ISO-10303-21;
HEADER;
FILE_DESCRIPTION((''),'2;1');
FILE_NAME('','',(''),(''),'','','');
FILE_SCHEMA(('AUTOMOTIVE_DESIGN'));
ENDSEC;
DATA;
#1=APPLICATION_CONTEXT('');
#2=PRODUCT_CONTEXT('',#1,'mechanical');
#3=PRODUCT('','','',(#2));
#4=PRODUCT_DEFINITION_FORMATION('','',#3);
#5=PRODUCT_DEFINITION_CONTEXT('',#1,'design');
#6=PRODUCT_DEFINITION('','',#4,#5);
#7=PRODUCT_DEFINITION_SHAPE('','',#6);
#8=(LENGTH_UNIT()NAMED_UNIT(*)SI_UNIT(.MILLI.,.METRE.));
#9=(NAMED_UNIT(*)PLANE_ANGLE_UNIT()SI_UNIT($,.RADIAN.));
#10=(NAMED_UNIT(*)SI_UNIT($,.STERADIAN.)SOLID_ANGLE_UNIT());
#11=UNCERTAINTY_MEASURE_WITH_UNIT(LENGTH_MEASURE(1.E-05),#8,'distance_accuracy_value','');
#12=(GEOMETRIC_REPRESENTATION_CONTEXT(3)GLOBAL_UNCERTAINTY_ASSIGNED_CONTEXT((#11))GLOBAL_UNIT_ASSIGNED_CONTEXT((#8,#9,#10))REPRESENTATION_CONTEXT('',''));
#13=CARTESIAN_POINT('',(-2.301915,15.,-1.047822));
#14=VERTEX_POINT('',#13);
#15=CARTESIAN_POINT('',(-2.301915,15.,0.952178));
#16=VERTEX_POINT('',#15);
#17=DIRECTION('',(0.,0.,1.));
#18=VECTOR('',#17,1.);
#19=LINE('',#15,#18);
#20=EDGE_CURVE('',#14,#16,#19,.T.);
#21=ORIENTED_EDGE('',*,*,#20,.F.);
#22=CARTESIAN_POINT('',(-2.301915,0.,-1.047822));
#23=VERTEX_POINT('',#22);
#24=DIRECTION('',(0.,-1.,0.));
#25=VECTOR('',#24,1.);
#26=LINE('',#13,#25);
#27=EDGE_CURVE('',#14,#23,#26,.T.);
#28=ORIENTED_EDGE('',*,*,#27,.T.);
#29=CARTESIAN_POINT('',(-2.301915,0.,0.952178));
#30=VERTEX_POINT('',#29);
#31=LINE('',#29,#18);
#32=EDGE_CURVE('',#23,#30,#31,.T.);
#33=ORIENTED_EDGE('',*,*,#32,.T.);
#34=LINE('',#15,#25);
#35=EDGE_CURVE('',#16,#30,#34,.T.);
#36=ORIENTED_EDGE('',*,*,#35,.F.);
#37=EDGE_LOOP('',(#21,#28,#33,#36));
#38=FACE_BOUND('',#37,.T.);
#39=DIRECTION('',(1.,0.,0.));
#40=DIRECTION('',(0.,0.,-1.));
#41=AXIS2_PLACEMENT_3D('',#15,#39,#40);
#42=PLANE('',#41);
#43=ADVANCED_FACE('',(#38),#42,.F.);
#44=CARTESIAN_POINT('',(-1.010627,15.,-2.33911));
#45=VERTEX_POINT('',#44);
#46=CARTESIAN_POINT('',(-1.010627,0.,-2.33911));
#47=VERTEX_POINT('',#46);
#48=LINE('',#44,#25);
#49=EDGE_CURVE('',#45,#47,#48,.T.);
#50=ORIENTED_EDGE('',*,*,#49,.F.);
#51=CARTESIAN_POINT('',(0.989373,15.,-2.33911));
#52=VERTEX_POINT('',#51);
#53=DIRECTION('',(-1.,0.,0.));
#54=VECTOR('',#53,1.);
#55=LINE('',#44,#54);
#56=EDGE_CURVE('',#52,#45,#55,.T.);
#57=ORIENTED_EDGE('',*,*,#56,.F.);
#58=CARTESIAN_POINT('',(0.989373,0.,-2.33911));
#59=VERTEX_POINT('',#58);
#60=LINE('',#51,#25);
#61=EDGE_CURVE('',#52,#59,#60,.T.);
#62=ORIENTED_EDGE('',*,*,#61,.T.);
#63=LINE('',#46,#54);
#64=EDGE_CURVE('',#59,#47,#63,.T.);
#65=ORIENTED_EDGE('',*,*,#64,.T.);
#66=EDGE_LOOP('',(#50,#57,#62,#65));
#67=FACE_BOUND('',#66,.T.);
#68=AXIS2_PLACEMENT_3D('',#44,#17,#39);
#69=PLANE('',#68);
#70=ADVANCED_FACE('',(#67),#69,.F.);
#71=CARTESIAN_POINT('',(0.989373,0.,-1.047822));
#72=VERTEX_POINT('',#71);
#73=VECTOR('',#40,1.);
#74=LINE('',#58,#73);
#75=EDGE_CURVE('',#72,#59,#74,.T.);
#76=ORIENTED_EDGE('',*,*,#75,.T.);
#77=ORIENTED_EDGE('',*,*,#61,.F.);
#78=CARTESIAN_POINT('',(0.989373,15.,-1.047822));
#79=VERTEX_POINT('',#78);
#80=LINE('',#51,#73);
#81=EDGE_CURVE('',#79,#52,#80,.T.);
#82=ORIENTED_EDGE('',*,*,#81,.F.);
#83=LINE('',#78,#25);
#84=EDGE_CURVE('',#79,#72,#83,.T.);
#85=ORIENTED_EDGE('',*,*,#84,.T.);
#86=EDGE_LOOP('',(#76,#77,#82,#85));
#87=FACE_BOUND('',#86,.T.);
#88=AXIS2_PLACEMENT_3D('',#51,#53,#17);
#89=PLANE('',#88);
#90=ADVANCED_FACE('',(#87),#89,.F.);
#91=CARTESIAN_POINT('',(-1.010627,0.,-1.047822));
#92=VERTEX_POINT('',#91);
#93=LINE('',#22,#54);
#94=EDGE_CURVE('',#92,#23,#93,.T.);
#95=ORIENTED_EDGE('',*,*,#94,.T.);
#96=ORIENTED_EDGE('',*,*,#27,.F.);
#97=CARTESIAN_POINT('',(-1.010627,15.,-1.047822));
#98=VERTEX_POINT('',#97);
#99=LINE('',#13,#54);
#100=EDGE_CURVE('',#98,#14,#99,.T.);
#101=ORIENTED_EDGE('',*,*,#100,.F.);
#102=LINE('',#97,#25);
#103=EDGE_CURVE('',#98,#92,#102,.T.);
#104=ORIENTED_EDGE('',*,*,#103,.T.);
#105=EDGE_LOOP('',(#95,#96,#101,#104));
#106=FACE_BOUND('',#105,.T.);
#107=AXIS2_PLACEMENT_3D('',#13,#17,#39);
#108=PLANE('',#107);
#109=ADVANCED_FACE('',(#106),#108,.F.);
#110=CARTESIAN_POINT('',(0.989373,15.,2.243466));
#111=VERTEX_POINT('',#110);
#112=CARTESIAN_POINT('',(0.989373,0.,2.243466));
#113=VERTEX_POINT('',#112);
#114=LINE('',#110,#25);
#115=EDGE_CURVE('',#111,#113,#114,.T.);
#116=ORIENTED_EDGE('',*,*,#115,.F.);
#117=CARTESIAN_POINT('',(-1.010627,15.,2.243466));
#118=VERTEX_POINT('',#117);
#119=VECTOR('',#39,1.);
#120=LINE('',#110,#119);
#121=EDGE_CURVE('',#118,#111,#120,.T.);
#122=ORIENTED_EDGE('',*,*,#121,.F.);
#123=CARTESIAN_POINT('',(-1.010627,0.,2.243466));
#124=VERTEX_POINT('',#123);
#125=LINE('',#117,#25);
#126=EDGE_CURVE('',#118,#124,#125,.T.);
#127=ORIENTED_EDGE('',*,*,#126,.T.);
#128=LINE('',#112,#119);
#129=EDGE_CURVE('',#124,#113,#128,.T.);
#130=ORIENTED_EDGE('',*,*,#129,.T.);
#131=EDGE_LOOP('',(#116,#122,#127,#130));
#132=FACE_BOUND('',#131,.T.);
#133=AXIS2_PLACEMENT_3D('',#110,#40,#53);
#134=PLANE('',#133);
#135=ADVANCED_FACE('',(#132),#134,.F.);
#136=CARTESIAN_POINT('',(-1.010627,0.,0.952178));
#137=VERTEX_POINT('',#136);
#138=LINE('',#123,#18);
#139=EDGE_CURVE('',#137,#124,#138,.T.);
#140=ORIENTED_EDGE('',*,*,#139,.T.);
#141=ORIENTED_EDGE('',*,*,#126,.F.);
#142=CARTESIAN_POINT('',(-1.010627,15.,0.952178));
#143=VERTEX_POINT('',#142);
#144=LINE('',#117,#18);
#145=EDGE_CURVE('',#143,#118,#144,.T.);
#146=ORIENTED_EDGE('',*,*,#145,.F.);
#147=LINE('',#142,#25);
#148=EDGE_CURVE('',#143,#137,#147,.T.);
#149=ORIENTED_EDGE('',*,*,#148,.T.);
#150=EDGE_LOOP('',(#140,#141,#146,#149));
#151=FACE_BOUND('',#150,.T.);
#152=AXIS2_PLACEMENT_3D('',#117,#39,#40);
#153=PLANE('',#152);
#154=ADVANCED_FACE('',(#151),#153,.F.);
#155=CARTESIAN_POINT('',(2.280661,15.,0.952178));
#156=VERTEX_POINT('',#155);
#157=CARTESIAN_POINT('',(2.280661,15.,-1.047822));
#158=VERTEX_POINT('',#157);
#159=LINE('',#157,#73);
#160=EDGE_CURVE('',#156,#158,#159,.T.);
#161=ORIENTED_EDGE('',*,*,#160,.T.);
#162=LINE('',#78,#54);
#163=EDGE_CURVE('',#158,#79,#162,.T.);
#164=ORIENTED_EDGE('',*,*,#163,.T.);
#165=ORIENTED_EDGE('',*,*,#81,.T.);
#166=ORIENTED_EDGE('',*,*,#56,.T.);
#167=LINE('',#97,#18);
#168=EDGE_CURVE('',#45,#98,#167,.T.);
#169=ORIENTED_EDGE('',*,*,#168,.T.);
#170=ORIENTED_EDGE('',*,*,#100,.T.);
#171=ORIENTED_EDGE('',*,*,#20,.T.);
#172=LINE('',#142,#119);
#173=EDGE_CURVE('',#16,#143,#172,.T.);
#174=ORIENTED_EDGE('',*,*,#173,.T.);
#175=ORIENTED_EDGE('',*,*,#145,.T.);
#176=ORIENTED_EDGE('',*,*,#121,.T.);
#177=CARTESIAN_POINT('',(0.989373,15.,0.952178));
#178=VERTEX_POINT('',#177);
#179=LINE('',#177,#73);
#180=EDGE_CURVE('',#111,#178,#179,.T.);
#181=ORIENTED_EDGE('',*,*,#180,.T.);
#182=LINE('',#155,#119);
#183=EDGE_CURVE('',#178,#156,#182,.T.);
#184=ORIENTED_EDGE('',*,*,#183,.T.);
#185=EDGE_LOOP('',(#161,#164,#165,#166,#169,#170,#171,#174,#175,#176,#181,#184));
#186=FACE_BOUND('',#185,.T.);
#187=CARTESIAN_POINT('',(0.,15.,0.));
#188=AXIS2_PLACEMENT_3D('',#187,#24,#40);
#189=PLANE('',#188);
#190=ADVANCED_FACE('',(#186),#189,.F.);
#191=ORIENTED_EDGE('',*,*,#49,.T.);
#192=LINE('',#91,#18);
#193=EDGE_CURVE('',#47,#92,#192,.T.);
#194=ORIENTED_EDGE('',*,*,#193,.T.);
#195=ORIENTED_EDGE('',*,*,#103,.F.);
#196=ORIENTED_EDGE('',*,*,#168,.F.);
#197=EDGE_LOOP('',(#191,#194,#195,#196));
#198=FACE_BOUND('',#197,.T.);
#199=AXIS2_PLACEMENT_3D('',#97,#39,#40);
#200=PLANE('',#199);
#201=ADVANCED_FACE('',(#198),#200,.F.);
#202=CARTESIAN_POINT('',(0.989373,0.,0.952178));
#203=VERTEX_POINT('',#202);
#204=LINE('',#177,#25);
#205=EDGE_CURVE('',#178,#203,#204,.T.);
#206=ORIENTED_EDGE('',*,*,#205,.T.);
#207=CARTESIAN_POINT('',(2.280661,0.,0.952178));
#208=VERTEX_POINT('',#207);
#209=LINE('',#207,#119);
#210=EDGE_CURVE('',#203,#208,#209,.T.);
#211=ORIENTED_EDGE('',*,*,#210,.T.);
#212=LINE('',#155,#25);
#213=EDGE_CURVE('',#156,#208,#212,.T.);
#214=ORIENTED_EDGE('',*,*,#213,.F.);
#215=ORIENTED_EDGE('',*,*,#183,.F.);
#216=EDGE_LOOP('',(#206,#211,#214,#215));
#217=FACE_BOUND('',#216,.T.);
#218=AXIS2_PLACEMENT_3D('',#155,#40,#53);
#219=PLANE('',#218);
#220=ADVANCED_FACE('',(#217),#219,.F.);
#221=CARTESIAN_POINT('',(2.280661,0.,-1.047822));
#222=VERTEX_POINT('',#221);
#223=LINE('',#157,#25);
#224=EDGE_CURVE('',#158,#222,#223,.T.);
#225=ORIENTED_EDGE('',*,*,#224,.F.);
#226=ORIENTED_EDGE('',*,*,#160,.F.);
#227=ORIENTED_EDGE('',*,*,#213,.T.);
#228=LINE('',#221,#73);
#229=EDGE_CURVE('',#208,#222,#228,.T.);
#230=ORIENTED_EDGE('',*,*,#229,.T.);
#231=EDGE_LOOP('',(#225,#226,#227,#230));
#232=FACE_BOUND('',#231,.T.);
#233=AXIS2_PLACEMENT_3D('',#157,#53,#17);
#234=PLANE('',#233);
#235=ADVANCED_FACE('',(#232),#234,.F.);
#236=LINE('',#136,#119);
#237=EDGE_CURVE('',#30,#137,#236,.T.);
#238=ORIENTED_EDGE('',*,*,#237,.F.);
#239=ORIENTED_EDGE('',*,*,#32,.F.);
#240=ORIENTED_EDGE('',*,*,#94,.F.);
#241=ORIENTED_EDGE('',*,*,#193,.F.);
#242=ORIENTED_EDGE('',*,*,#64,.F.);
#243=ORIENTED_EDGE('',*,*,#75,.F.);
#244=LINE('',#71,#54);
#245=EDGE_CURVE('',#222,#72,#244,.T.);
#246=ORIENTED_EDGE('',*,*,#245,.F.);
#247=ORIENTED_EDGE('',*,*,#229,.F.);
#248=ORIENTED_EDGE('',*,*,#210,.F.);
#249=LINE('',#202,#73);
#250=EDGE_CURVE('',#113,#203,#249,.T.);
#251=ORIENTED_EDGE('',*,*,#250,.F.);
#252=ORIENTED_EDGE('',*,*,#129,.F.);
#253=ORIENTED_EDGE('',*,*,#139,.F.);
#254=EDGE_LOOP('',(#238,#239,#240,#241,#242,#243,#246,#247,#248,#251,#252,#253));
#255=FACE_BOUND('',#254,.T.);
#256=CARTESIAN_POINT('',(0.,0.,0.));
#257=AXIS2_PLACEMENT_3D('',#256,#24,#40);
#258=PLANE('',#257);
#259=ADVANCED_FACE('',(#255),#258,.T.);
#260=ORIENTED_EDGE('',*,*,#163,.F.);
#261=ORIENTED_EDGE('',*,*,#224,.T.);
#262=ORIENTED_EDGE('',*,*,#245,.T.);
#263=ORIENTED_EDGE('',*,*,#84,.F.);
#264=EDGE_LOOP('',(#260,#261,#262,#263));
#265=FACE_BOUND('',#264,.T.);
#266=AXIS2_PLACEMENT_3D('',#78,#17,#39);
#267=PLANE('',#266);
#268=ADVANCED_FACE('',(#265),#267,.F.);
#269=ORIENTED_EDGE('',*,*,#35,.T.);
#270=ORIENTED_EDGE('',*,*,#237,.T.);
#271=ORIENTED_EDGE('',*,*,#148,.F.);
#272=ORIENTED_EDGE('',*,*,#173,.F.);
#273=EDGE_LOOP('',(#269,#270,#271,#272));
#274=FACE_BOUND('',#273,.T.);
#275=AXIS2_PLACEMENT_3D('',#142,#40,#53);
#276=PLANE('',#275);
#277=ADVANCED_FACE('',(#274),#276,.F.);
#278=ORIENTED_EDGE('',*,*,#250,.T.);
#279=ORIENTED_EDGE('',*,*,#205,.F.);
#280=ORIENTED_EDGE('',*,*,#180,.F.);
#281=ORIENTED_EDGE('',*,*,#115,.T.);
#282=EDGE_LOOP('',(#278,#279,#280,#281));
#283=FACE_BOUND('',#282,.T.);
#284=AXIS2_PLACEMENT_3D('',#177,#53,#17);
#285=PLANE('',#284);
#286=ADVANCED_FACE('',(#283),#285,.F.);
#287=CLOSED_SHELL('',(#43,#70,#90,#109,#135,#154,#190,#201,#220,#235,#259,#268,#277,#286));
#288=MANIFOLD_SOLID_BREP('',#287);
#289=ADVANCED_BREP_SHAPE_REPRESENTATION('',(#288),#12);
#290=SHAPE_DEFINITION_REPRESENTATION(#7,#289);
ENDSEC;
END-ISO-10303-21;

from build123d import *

# Parameters (mm, degrees)
BOSS_EXTRUDE1_DEPTH = 15


with BuildPart() as part:
    # Sketch1 → Boss-Extrude1 (new body)
    with BuildSketch(Plane(origin=(0, 0, 0), x_dir=(1, 0, 0), z_dir=(0, 1, 0))):
        Polygon((2.28066072, -0.952177928), (0.989372873, -0.952177928), (0.989372873, -2.243465776), (-1.010627127, -2.243465776), (-1.010627127, -0.952177928), (-2.301914975, -0.952177928), (-2.301914975, 1.047822072), (-1.010627127, 1.047822072), (-1.010627127, 2.339109919), (0.989372873, 2.339109919), (0.989372873, 1.047822072), (2.28066072, 1.047822072), align=None)
    extrude(amount=BOSS_EXTRUDE1_DEPTH)


solid = part.part
